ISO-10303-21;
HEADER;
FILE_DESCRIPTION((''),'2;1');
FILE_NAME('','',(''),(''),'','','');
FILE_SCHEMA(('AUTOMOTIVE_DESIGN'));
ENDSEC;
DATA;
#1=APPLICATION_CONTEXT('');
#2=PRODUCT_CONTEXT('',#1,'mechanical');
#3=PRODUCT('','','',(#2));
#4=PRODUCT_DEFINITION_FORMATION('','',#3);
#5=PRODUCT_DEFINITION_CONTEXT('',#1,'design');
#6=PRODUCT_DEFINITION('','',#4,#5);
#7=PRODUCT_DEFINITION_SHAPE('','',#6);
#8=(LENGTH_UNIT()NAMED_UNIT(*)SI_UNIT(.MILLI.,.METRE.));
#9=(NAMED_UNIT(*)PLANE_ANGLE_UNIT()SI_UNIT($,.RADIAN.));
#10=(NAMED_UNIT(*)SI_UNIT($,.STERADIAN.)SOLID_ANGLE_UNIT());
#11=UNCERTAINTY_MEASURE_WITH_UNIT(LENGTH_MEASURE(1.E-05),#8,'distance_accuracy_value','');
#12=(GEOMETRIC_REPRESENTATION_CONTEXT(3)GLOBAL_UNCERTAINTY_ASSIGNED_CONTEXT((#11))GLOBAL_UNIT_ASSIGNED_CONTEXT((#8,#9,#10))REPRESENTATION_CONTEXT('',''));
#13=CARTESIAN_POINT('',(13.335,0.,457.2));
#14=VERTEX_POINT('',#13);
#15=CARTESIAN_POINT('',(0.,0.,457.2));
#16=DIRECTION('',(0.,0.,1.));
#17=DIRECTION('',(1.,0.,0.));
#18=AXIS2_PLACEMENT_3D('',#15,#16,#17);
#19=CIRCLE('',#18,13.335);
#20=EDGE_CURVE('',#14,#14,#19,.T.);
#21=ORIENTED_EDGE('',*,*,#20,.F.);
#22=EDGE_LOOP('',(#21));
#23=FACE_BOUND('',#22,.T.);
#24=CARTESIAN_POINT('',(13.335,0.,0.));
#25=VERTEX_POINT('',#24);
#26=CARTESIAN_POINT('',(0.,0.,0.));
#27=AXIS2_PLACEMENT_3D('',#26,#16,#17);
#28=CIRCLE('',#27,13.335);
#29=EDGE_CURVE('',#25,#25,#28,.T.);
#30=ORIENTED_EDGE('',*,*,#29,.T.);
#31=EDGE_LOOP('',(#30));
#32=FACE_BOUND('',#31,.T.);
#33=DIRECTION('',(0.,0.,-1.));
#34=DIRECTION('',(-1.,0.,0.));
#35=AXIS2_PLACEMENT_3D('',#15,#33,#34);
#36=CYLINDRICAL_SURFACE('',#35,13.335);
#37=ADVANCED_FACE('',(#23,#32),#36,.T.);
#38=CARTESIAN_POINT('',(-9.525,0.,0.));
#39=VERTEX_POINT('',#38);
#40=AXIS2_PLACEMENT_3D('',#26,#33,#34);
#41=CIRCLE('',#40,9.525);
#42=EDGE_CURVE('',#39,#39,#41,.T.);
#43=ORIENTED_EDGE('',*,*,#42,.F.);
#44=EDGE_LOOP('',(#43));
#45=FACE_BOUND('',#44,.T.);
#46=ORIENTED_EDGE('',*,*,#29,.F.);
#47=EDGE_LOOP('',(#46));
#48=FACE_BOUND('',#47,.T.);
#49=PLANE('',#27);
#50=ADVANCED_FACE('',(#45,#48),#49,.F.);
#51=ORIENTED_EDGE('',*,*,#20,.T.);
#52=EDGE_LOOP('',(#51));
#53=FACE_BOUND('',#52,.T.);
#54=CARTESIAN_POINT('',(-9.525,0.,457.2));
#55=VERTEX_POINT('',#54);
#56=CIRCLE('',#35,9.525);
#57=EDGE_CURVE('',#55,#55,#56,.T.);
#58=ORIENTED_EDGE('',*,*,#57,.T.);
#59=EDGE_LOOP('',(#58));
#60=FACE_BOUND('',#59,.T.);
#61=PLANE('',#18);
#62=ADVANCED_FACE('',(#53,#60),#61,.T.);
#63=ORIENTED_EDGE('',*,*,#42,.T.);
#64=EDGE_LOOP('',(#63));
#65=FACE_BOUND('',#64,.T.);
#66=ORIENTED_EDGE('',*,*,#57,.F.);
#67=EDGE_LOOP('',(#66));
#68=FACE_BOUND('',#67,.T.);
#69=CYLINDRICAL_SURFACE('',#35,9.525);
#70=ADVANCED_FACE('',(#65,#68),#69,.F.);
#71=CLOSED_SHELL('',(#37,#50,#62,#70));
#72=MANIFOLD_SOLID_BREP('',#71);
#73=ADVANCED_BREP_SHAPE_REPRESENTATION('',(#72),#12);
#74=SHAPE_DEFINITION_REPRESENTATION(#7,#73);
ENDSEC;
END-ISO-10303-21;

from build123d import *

# Parameters (mm, degrees)
SKETCH1_R           = 13.335
BOSS_EXTRUDE1_DEPTH = 457.2
SKETCH2_R           = 9.525
CUT_EXTRUDE1_DEPTH  = 458.2


with BuildPart() as part:
    # Sketch1 → Boss-Extrude1 (new body)
    with BuildSketch(Plane.XY):
        Circle(SKETCH1_R)
    extrude(amount=BOSS_EXTRUDE1_DEPTH)

    # Sketch2 → Cut-Extrude1 (cut, through all)
    with BuildSketch(Plane(origin=(0, 0, 0), x_dir=(-1, 0, 0), z_dir=(0, 0, -1))):
        Circle(SKETCH2_R)
    extrude(amount=-CUT_EXTRUDE1_DEPTH, mode=Mode.SUBTRACT)


solid = part.part
